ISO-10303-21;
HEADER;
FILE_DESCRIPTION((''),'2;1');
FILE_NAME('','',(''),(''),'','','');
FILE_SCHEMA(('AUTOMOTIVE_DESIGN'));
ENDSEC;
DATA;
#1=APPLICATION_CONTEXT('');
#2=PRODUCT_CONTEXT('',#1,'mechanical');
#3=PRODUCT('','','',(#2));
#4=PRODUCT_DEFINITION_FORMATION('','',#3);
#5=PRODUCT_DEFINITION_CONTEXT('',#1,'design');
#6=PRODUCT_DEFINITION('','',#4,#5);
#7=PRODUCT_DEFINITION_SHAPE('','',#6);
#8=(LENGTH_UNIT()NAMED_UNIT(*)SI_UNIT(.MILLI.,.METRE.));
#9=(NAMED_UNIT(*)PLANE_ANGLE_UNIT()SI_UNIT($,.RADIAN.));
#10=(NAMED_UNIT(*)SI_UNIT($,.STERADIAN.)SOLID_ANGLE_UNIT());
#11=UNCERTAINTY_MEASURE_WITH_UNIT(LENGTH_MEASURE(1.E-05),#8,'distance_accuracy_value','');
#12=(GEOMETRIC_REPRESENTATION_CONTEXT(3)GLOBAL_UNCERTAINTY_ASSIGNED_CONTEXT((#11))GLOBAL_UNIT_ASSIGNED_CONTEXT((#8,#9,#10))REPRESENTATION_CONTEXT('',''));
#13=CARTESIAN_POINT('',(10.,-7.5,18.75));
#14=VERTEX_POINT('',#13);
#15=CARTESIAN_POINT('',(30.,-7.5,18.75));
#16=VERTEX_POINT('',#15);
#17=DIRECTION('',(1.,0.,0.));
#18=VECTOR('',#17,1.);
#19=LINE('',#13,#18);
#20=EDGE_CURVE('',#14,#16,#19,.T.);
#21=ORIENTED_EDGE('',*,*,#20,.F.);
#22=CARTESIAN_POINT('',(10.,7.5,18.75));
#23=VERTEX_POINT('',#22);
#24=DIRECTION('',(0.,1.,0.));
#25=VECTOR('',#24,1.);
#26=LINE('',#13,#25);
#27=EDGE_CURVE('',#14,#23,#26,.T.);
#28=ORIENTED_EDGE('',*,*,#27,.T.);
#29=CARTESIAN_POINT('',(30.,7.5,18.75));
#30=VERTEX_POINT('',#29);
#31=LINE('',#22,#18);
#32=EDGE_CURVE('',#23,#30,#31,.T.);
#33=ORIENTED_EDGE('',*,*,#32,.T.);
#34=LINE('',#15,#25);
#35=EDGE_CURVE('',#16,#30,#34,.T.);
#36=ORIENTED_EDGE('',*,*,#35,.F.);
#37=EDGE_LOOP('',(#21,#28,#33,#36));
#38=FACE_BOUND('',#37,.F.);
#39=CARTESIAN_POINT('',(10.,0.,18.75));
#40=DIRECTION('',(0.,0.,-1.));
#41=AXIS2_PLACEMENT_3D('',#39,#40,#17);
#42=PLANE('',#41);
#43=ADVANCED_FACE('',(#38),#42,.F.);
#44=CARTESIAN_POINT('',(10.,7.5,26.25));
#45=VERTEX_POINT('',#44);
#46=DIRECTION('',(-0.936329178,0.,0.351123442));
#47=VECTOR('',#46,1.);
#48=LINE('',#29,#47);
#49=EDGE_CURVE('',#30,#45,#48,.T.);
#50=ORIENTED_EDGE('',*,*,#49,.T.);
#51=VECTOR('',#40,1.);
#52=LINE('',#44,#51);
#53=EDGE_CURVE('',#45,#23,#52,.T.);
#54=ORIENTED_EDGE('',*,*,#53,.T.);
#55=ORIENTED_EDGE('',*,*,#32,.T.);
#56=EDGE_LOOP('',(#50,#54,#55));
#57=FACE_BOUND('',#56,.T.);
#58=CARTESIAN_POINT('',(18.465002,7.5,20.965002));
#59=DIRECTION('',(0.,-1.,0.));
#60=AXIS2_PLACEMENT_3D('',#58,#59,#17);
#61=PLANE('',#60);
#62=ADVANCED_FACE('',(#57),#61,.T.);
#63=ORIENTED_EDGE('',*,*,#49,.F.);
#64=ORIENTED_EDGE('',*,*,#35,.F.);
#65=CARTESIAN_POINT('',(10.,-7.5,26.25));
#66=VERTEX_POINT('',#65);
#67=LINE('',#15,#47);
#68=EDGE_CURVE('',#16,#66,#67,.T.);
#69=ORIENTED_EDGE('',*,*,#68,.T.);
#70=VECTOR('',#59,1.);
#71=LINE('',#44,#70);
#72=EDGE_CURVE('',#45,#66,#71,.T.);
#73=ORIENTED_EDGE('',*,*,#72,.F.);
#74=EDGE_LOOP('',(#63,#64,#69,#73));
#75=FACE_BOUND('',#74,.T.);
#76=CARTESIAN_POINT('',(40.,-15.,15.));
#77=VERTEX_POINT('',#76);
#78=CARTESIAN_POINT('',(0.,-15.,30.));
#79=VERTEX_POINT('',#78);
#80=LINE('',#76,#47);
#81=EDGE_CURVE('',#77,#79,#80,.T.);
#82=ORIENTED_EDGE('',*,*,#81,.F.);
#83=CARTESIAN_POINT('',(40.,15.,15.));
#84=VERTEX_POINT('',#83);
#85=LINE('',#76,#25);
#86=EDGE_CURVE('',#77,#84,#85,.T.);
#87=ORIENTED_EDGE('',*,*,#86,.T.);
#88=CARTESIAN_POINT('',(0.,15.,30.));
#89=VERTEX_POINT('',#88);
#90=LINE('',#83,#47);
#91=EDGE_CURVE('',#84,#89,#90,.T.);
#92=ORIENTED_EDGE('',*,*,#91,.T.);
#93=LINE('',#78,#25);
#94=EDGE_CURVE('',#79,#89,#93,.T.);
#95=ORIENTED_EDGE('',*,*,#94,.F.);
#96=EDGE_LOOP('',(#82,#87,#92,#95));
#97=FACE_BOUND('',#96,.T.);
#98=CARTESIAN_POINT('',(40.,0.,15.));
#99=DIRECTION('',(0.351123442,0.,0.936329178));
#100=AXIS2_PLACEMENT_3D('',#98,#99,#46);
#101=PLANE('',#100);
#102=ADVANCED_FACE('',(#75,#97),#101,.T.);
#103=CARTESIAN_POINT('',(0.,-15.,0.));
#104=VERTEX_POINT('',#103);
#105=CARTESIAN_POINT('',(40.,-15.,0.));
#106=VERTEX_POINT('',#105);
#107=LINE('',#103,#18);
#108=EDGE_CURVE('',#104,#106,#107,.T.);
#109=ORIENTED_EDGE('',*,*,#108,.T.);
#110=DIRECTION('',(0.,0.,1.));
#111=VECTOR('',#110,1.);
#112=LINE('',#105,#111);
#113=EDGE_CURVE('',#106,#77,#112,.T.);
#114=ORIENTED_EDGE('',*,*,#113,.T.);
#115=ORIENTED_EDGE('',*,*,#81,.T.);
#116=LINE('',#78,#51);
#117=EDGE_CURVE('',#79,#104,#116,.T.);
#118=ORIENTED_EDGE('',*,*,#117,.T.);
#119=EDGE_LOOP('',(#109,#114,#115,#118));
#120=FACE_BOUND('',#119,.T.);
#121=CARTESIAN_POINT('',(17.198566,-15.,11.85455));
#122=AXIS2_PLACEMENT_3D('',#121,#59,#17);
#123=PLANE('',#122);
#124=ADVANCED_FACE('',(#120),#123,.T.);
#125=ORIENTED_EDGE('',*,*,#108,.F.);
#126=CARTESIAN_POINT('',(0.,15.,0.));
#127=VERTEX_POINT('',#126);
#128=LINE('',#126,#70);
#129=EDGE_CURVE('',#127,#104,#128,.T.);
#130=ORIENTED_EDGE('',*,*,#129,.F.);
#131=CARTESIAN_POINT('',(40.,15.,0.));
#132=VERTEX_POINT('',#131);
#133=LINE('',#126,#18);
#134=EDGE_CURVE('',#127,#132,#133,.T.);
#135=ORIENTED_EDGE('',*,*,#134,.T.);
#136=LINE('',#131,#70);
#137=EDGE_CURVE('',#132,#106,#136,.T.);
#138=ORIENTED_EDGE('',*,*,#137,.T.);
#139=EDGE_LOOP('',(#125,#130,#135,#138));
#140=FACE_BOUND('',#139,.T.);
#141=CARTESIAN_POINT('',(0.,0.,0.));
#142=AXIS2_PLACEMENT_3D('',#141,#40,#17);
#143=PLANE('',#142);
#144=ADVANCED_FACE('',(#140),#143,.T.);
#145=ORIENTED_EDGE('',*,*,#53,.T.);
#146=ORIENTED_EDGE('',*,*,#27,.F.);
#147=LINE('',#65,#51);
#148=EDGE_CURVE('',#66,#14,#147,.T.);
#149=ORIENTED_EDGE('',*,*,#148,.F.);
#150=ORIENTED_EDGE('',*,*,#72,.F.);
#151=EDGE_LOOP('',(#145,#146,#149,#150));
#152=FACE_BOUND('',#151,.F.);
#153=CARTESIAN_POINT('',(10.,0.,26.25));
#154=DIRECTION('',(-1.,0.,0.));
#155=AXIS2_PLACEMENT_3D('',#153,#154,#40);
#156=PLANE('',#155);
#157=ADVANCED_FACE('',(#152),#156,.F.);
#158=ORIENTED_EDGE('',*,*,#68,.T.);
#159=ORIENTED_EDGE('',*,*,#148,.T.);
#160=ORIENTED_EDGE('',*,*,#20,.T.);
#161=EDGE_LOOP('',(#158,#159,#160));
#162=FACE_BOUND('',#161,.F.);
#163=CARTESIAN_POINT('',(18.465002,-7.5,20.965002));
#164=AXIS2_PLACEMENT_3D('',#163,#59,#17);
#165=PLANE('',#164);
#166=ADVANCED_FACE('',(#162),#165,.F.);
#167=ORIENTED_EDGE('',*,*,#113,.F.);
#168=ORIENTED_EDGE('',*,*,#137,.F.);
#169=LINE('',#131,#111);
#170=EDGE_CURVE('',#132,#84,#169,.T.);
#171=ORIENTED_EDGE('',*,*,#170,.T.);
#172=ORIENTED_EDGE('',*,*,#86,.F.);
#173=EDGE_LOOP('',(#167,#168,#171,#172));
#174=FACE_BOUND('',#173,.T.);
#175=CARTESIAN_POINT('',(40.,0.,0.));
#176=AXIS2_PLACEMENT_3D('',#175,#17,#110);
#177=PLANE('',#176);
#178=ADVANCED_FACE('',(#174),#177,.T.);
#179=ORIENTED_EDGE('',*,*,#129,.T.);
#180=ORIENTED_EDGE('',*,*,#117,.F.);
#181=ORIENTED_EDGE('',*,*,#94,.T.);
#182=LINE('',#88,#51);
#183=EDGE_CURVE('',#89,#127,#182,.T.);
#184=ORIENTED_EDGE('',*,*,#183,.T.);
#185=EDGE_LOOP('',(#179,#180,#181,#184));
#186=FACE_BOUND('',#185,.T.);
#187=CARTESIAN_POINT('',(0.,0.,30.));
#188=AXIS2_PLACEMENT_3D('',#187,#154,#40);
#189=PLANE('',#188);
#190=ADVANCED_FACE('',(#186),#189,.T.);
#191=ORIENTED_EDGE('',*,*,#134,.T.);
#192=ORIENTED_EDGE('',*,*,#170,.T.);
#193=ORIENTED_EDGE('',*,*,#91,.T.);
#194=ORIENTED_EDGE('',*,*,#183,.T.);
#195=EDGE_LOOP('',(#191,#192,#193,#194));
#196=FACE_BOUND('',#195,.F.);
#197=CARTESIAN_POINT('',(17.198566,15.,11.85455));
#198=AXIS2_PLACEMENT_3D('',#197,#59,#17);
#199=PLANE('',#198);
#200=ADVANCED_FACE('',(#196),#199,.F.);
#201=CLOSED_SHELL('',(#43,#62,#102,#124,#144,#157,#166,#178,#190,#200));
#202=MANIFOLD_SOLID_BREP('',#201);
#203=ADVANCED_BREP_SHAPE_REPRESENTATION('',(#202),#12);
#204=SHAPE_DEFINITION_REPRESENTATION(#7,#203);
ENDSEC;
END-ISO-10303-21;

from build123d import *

# Parameters (mm, degrees)
F1_DEPTH = 15
F2_DEPTH = 7.5


with BuildPart() as f1:
    # F0 (on Front) → F1 (new body, symmetric)
    with BuildSketch(Plane.XZ):
        Polygon((0, 30), (0, 0), (40, 0), (40, 15), (30, 18.75), (10, 18.75), (10, 26.25), align=None)
        Polygon((30, 18.75), (10, 26.25), (10, 18.75), align=None)
    extrude(amount=F1_DEPTH, both=True)

    # F0 (on Front) → F2 (cut, symmetric)
    with BuildSketch(Plane.XZ):
        Polygon((30, 18.75), (10, 26.25), (10, 18.75), align=None)
    extrude(amount=F2_DEPTH, both=True, mode=Mode.SUBTRACT)


solid = f1.part
